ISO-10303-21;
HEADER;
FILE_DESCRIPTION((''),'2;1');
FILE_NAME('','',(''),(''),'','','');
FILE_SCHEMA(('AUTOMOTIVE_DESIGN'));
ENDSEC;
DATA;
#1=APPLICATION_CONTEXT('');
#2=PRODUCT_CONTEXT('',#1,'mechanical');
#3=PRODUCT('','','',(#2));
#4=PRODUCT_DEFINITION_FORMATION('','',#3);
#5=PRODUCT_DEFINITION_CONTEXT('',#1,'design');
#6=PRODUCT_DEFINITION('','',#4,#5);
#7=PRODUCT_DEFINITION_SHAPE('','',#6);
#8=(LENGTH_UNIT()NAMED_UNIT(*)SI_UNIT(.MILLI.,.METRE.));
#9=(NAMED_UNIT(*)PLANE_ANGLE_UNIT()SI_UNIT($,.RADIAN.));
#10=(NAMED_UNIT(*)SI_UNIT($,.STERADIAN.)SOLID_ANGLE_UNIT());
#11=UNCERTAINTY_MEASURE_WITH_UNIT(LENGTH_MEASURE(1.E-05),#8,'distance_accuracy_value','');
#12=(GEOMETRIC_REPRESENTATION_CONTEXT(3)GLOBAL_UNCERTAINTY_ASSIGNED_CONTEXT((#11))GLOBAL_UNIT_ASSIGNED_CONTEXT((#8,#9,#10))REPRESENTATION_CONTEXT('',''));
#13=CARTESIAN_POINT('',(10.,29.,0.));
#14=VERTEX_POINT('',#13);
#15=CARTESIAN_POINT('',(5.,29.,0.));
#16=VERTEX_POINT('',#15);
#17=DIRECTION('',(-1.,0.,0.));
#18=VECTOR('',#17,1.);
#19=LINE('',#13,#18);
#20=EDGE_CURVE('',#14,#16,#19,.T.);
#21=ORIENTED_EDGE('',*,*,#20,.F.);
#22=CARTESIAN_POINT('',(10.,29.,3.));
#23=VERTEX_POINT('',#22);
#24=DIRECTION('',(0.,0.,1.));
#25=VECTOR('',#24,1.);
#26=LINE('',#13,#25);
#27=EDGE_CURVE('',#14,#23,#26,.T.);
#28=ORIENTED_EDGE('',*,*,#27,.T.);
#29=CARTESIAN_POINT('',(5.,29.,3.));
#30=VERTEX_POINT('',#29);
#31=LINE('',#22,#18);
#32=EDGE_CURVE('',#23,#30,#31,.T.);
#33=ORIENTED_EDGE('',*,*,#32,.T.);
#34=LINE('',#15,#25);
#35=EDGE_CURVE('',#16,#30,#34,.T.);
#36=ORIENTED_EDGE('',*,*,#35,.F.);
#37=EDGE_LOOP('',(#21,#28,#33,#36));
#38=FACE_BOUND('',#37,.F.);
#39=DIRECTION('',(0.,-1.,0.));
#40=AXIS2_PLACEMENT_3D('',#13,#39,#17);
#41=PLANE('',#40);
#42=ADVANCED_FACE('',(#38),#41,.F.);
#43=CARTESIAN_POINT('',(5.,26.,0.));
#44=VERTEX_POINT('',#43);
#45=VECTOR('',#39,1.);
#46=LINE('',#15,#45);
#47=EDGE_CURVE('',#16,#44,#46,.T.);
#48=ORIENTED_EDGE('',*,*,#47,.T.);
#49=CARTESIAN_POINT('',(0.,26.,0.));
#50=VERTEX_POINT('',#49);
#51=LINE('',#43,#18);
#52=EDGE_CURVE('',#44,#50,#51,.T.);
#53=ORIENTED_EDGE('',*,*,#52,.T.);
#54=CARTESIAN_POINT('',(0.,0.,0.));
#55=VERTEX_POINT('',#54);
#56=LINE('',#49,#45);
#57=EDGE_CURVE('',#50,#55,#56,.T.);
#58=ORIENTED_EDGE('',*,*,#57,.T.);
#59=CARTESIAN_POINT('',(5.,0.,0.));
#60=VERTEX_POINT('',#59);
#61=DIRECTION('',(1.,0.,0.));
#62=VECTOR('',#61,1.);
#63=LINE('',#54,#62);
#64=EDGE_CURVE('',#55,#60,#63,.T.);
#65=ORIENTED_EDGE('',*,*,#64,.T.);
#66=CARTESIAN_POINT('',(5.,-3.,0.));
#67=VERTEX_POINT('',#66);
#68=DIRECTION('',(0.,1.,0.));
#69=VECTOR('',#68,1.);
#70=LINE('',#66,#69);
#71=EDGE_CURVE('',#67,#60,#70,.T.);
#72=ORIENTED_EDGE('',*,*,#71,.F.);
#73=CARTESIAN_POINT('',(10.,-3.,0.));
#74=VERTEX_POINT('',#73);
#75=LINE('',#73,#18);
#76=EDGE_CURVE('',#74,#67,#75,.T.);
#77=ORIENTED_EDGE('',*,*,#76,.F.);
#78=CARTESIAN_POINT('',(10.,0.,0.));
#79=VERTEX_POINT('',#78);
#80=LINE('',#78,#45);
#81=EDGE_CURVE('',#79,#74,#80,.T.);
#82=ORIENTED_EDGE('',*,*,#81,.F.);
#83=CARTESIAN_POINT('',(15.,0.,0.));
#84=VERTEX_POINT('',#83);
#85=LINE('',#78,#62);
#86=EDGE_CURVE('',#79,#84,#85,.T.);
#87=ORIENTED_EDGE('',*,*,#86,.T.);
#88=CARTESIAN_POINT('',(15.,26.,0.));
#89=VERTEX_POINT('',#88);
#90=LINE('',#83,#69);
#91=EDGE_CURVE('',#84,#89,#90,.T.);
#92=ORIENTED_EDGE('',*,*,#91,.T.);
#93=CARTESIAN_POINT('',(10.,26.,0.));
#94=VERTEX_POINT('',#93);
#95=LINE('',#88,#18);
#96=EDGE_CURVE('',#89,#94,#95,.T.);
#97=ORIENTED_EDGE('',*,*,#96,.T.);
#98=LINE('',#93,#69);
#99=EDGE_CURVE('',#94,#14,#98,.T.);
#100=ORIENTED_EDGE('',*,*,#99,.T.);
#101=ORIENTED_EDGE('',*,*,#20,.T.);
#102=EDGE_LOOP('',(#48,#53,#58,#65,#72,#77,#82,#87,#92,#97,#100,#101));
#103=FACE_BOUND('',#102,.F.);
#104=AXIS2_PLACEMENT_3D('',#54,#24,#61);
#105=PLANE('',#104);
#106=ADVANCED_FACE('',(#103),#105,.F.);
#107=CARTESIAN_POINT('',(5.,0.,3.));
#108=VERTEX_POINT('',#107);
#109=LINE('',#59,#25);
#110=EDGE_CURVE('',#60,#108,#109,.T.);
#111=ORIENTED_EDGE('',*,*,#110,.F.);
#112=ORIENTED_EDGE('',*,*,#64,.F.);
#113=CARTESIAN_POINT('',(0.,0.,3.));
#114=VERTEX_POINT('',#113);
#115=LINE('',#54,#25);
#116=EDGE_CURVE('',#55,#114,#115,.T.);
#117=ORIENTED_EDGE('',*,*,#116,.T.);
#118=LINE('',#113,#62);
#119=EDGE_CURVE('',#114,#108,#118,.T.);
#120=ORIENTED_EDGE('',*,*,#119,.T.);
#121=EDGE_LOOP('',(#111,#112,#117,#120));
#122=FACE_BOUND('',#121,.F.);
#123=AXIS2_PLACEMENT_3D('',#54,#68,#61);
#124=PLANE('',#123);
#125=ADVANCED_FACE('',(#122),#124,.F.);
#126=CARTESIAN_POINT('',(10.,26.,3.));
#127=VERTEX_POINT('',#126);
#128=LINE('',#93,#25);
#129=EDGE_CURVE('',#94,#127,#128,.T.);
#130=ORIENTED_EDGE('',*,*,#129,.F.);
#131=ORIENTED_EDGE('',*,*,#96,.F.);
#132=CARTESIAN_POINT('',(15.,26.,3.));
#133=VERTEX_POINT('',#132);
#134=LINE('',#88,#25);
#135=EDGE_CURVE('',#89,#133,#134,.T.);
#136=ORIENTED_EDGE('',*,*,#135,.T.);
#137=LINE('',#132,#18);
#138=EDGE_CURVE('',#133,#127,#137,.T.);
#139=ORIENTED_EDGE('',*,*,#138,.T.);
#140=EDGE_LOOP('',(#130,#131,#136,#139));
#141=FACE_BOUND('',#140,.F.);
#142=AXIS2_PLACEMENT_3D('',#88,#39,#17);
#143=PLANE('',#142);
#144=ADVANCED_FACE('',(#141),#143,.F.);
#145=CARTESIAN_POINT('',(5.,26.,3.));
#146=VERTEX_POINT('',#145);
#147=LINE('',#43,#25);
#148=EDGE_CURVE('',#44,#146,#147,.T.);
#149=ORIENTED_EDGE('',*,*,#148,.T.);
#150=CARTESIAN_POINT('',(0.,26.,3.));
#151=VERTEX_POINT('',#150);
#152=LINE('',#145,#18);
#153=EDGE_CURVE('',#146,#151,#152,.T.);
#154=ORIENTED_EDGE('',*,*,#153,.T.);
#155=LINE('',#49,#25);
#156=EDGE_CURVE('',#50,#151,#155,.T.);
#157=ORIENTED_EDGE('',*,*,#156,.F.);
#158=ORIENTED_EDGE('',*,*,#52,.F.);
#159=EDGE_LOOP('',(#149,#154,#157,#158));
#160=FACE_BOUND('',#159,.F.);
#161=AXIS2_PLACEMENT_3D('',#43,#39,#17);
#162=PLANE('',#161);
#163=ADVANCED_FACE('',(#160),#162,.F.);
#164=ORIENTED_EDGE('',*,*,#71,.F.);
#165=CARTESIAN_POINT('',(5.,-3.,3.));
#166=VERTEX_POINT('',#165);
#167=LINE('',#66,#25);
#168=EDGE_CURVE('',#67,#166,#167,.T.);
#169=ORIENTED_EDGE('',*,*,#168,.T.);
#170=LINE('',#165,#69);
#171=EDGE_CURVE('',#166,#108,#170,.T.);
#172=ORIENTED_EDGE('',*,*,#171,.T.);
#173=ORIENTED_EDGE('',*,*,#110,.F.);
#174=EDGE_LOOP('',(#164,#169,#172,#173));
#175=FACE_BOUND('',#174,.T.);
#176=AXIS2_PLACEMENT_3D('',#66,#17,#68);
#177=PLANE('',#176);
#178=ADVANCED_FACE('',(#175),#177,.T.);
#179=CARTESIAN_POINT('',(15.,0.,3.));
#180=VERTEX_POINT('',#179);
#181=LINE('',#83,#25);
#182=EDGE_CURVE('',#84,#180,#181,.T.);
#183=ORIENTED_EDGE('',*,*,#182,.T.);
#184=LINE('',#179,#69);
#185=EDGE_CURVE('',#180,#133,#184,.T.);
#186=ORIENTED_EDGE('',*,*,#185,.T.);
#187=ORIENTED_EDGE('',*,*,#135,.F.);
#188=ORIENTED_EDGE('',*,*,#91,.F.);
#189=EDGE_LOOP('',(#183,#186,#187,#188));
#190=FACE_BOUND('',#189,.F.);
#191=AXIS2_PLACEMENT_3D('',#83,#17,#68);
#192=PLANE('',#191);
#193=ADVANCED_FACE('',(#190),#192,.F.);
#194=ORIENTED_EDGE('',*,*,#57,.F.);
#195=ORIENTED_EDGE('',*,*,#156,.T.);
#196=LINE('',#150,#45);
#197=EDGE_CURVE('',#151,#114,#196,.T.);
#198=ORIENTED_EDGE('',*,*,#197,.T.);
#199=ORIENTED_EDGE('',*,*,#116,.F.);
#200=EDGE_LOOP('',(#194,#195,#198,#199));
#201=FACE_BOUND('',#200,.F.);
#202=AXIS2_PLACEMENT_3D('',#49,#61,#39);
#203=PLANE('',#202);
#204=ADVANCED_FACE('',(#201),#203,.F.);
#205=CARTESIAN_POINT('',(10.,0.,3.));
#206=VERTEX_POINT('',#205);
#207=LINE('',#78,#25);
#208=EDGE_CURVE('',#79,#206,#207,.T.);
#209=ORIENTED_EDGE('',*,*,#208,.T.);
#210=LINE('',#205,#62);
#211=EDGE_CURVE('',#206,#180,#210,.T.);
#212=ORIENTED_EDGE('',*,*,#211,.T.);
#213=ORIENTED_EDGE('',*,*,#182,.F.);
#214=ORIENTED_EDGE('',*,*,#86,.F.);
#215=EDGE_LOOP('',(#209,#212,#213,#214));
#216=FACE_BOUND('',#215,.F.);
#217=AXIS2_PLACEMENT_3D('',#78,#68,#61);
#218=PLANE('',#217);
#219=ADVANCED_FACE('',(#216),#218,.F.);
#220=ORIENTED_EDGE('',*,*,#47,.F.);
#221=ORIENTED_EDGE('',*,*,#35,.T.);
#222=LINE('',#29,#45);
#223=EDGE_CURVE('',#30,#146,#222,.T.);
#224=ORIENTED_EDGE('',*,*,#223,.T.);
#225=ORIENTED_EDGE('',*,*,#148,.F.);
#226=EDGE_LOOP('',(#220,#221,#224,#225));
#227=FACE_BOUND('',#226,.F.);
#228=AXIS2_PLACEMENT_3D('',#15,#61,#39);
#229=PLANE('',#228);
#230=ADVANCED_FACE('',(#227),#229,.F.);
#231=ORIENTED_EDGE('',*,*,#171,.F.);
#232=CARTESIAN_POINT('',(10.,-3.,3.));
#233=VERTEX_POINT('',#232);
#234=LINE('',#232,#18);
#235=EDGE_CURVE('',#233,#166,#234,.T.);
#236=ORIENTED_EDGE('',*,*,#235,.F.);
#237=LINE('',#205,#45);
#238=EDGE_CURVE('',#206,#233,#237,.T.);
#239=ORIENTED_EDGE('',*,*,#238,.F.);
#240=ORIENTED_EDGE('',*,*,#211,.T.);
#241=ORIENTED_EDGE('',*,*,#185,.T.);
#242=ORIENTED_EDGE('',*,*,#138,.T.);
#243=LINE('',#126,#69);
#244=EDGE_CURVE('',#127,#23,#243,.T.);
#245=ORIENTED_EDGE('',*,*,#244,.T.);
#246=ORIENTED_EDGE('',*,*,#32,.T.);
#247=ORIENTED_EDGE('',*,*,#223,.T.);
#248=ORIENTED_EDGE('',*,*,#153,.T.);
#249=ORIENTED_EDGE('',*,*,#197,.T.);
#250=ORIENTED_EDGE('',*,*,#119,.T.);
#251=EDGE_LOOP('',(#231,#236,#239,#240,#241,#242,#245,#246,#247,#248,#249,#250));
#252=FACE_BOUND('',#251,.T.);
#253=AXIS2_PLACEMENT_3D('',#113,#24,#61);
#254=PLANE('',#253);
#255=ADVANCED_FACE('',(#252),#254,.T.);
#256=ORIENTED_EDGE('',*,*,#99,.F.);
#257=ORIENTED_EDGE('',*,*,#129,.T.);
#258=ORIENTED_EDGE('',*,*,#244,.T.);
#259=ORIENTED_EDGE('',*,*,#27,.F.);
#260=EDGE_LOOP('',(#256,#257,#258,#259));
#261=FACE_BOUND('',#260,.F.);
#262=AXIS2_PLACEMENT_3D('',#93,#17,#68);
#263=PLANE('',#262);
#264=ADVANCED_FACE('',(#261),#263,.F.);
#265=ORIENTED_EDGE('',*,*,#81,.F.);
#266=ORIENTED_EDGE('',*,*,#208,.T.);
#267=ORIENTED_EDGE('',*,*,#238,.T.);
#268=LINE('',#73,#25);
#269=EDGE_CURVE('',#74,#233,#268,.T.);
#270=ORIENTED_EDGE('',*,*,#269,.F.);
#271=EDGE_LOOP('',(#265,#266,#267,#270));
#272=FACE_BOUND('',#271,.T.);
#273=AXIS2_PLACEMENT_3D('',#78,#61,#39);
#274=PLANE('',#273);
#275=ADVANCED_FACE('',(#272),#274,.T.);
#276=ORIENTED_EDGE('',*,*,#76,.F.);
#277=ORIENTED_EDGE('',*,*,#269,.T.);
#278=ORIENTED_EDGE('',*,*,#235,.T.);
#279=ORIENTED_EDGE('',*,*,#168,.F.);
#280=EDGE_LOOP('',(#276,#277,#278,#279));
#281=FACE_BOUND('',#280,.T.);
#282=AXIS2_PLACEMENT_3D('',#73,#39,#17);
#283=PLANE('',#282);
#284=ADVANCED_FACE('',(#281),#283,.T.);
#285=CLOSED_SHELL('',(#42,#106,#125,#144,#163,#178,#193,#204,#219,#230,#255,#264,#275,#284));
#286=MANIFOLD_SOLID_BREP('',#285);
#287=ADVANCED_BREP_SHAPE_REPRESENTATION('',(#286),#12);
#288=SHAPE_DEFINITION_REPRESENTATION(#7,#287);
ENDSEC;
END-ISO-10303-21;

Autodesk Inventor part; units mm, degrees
ref_plane "YZ Plane" through (0, 0, 0) normal (1, 0, 0) x (0, 1, 0)
ref_plane "XZ Plane" through (0, 0, 0) normal (0, 1, 0) x (-1, 0, 0)
ref_plane "XY Plane" through (0, 0, 0) normal (0, 0, 1) x (1, 0, 0)
sketch "Sketch1" plane through (0, 0, 0) normal (0, 0, 1) x (1, 0, 0)
  line L0 (15, 0) -> (15, 26)
  line L1 (0, 26) -> (0, 0)
  line L2 (10, 26) -> (10, 29)
  line L3 (10, 29) -> (5, 29)
  line L4 (5, 29) -> (5, 26)
  line L5 (10, 0) -> (10, -3)
  line L6 (10, -3) -> (5, -3)
  line L7 (5, -3) -> (5, 0)
  line L8 (15, 26) -> (10, 26)
  line L9 (5, 26) -> (0, 26)
  line L10 (0, 0) -> (5, 0)
  line L11 (10, 0) -> (15, 0)
  point P0 (5, 27.5)
  point P1 (5, -1.5)
  dimension "d0" = 3
  dimension "d1" = 3
  dimension "d2" = 5
  dimension "d3" = 26
  dimension "d4" = 15
  dimension "d5" = 5
extrude "Extrusion1" add sketch "Sketch1" along normal blind 3
equation "\"d1\" = d0"
equation "\"d5\" = 0.5 * d4 - 0.5 * d2"
properties part number "servo_holer2"
